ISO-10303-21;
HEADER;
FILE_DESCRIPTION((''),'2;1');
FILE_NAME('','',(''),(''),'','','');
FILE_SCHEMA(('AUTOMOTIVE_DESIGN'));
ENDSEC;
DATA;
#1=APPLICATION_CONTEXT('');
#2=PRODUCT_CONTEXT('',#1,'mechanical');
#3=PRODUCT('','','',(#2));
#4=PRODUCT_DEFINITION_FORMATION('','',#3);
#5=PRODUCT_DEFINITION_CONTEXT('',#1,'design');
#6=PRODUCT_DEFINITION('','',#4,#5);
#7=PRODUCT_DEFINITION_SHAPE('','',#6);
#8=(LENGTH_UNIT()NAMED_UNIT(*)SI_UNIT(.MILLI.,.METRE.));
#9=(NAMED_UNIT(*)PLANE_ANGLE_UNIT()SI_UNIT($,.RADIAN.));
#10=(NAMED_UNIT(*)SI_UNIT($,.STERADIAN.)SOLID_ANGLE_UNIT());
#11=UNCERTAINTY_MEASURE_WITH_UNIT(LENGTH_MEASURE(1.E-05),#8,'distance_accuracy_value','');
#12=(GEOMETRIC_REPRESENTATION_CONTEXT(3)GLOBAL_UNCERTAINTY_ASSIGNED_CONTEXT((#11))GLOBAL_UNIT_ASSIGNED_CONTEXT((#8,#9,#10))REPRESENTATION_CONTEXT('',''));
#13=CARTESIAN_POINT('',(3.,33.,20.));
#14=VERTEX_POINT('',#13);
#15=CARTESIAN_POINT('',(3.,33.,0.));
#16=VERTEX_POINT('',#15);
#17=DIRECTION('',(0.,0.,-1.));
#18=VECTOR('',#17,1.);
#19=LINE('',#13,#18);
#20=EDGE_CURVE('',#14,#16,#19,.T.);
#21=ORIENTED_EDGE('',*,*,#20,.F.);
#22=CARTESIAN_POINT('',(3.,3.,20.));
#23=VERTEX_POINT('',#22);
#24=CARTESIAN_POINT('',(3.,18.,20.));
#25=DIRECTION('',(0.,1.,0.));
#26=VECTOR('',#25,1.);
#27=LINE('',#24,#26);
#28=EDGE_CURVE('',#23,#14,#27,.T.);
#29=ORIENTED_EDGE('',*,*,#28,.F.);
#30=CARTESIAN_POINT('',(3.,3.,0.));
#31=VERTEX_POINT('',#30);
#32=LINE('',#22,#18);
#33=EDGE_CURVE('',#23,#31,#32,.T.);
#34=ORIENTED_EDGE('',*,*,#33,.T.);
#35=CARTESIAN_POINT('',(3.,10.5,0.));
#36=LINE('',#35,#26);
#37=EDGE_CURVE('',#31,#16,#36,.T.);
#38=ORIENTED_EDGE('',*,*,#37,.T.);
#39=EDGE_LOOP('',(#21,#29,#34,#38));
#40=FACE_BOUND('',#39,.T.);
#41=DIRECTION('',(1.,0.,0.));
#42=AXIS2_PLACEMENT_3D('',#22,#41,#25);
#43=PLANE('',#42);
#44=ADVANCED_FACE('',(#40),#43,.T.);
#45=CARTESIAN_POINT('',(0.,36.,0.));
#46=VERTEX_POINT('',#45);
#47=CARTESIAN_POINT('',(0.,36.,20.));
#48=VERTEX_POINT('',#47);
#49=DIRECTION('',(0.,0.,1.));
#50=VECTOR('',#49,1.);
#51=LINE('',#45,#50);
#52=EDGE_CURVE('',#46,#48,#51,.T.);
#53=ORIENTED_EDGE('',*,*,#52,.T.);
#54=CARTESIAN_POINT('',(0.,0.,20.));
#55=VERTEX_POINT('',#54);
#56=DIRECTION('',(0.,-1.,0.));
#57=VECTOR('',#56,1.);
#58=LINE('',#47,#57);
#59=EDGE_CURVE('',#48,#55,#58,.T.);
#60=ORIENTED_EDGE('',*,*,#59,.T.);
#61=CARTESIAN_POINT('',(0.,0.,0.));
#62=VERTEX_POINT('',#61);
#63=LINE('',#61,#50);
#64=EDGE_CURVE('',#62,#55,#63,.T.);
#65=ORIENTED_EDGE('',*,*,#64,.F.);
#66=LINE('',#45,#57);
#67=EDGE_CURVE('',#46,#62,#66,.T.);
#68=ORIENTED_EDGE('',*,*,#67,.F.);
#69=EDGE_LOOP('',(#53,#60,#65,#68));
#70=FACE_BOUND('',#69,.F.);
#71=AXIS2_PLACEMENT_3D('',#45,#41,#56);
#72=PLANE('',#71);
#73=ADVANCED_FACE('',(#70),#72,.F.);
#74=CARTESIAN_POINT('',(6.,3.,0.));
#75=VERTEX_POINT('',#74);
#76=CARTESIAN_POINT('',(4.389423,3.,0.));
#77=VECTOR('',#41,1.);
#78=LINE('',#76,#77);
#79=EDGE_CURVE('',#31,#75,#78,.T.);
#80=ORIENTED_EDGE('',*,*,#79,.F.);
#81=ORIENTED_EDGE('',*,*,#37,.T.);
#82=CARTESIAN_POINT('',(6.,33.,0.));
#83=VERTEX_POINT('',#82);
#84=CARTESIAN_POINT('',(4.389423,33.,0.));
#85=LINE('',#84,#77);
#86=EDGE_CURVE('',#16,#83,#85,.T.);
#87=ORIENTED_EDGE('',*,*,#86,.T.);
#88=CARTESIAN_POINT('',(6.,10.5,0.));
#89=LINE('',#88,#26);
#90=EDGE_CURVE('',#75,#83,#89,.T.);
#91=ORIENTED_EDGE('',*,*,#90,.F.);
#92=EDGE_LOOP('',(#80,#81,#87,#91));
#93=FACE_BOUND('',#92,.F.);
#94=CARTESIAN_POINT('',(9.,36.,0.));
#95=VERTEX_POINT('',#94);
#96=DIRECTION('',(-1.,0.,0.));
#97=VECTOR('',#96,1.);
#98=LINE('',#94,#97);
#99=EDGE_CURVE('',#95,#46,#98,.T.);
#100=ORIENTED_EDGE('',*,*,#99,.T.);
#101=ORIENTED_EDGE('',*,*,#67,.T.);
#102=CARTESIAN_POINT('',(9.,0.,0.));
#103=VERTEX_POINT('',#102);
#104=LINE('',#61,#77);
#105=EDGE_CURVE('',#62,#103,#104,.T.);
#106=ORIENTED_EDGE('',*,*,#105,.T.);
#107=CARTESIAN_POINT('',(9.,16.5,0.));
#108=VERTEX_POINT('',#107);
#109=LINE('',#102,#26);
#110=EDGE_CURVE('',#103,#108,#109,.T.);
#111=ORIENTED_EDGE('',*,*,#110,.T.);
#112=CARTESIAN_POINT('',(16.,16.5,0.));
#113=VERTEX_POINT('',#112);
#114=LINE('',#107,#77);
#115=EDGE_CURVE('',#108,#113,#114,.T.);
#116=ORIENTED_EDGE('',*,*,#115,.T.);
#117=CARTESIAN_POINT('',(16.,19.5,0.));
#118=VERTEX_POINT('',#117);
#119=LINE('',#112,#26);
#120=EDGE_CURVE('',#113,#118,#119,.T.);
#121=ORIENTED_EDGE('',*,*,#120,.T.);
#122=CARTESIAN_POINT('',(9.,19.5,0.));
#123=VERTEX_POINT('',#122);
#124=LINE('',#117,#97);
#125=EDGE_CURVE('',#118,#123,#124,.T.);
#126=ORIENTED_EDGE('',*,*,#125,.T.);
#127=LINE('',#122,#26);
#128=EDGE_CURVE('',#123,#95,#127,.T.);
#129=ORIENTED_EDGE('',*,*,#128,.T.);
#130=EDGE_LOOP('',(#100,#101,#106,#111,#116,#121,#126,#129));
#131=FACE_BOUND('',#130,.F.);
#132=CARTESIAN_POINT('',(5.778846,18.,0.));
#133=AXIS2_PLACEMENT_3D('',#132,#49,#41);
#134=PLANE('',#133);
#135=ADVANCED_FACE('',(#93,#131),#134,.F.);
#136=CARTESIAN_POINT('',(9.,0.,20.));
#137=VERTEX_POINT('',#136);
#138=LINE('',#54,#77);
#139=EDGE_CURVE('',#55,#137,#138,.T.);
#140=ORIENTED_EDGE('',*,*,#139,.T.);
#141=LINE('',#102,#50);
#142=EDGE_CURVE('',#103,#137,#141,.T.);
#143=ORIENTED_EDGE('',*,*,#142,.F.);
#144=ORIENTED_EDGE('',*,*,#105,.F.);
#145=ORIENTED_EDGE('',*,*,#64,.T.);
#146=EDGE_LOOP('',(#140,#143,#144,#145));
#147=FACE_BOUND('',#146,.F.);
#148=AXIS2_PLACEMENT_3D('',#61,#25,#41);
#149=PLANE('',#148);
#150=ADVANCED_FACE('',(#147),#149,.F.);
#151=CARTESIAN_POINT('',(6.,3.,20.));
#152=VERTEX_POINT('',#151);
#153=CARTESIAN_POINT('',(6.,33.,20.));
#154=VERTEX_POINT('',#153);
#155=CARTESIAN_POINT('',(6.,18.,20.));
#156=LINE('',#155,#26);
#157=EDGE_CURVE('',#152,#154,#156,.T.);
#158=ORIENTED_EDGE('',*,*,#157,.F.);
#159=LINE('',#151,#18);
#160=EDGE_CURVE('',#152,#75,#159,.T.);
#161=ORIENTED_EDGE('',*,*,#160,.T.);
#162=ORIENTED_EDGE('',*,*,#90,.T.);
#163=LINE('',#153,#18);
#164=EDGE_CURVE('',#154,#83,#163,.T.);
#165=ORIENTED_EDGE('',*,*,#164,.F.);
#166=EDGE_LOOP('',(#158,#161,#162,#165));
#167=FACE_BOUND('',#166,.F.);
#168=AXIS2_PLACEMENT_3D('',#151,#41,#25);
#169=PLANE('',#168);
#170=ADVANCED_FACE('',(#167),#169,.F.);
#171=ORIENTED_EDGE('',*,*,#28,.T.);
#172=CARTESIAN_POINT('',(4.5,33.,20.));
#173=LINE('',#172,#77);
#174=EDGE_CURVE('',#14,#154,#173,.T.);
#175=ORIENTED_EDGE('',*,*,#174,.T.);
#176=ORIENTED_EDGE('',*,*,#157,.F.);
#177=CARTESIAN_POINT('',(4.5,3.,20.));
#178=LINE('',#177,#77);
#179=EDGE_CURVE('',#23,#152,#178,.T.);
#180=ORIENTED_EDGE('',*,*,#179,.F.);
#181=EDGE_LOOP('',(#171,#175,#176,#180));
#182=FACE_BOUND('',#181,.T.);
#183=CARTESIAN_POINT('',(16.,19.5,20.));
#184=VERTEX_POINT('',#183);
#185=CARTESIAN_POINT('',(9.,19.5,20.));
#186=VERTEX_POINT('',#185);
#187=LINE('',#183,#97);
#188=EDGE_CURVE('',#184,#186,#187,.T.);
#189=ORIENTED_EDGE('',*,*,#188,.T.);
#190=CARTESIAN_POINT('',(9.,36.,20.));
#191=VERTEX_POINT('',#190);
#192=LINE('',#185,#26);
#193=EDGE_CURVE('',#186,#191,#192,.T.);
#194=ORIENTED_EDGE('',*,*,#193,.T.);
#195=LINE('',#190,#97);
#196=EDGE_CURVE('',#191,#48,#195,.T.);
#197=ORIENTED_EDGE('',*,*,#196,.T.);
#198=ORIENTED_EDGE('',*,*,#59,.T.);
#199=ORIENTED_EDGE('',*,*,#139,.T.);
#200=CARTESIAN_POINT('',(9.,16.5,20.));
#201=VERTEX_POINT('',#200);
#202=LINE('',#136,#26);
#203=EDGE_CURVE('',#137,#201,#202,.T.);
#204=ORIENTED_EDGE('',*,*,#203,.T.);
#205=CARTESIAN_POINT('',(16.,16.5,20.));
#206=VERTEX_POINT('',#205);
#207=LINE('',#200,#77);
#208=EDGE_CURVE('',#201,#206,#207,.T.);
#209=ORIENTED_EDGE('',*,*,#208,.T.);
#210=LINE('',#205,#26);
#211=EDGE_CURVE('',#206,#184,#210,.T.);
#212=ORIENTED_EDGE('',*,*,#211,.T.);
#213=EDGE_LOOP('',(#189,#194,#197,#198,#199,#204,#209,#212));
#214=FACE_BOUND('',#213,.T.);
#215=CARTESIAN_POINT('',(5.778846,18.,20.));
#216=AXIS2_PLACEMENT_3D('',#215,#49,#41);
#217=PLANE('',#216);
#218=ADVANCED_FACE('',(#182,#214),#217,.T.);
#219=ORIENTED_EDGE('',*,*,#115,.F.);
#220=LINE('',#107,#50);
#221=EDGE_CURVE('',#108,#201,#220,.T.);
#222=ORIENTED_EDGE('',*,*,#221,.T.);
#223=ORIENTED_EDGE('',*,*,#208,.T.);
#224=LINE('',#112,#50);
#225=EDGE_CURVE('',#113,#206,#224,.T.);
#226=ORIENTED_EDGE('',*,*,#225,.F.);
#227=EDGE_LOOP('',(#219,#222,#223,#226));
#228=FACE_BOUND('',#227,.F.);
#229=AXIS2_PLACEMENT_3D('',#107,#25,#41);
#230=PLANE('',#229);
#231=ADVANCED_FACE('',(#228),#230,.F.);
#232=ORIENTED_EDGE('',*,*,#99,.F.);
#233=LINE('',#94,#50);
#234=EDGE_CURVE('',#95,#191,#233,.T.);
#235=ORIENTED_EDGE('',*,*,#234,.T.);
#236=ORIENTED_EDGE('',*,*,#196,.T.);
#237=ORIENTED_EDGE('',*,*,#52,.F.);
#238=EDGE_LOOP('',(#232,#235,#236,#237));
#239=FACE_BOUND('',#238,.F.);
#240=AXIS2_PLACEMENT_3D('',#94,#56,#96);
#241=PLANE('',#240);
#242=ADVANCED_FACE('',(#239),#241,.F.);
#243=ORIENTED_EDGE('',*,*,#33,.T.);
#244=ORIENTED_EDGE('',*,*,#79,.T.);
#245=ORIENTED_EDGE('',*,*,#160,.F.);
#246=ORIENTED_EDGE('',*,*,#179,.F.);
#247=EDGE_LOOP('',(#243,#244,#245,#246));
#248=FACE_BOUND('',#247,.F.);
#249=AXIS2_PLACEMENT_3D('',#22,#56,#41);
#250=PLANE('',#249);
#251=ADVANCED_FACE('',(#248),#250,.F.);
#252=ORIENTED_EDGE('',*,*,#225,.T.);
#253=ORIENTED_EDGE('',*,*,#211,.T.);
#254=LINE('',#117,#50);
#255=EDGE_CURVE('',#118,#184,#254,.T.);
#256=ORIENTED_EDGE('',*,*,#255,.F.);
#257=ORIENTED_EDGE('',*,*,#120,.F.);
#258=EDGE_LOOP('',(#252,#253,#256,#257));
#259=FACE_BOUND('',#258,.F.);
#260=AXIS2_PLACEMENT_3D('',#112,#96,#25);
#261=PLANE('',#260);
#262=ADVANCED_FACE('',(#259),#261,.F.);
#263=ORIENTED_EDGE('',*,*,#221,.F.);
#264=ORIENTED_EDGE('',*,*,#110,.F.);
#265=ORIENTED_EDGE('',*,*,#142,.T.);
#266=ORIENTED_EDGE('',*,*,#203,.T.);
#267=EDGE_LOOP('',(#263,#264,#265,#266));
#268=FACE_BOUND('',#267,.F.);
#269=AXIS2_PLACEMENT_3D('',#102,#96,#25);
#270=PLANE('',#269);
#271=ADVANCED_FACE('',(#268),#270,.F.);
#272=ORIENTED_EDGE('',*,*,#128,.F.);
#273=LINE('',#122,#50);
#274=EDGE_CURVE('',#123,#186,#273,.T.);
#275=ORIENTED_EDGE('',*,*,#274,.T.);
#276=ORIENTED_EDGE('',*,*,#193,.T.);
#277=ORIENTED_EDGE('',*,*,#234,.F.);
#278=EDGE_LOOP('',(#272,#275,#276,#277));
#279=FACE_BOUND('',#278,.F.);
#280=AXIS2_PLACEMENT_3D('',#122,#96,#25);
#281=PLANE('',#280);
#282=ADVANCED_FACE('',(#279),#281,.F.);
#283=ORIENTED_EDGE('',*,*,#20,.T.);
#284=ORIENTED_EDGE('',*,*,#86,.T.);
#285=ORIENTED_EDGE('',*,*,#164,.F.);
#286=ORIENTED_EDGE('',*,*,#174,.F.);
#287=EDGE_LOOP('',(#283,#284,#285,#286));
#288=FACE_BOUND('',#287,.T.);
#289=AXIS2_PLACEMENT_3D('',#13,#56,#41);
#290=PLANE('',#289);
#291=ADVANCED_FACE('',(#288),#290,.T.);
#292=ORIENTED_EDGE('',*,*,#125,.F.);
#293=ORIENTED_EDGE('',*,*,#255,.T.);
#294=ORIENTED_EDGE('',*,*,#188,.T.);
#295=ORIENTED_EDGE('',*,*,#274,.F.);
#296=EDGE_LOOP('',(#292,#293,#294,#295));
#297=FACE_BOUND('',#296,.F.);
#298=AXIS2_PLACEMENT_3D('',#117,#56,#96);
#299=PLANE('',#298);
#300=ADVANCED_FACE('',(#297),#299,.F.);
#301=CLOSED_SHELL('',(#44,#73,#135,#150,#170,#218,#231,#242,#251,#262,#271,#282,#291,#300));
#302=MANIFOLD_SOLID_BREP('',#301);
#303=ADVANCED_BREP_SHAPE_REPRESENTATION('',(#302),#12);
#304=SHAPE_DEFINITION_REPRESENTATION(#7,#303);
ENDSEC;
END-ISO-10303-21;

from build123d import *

# Parameters (mm, degrees)
F1_DEPTH = 20
F2_W     = 3
F2_H     = 30
F3_DEPTH = 20.001


with BuildPart() as f1:
    # F0 (on Top) → F1 (new body)
    with BuildSketch(Plane.XY):
        Polygon((0, 36), (0, 0), (9, 0), (9, 16.5), (16, 16.5), (16, 19.5), (9, 19.5), (9, 36), align=None)
    extrude(amount=F1_DEPTH)

    # F2 (on face) → F3 (cut, through all)
    with BuildSketch(Plane.XY.offset(20)):
        with Locations((4.5, 18)):
            Rectangle(F2_W, F2_H)
    extrude(amount=-F3_DEPTH, mode=Mode.SUBTRACT)


solid = f1.part
